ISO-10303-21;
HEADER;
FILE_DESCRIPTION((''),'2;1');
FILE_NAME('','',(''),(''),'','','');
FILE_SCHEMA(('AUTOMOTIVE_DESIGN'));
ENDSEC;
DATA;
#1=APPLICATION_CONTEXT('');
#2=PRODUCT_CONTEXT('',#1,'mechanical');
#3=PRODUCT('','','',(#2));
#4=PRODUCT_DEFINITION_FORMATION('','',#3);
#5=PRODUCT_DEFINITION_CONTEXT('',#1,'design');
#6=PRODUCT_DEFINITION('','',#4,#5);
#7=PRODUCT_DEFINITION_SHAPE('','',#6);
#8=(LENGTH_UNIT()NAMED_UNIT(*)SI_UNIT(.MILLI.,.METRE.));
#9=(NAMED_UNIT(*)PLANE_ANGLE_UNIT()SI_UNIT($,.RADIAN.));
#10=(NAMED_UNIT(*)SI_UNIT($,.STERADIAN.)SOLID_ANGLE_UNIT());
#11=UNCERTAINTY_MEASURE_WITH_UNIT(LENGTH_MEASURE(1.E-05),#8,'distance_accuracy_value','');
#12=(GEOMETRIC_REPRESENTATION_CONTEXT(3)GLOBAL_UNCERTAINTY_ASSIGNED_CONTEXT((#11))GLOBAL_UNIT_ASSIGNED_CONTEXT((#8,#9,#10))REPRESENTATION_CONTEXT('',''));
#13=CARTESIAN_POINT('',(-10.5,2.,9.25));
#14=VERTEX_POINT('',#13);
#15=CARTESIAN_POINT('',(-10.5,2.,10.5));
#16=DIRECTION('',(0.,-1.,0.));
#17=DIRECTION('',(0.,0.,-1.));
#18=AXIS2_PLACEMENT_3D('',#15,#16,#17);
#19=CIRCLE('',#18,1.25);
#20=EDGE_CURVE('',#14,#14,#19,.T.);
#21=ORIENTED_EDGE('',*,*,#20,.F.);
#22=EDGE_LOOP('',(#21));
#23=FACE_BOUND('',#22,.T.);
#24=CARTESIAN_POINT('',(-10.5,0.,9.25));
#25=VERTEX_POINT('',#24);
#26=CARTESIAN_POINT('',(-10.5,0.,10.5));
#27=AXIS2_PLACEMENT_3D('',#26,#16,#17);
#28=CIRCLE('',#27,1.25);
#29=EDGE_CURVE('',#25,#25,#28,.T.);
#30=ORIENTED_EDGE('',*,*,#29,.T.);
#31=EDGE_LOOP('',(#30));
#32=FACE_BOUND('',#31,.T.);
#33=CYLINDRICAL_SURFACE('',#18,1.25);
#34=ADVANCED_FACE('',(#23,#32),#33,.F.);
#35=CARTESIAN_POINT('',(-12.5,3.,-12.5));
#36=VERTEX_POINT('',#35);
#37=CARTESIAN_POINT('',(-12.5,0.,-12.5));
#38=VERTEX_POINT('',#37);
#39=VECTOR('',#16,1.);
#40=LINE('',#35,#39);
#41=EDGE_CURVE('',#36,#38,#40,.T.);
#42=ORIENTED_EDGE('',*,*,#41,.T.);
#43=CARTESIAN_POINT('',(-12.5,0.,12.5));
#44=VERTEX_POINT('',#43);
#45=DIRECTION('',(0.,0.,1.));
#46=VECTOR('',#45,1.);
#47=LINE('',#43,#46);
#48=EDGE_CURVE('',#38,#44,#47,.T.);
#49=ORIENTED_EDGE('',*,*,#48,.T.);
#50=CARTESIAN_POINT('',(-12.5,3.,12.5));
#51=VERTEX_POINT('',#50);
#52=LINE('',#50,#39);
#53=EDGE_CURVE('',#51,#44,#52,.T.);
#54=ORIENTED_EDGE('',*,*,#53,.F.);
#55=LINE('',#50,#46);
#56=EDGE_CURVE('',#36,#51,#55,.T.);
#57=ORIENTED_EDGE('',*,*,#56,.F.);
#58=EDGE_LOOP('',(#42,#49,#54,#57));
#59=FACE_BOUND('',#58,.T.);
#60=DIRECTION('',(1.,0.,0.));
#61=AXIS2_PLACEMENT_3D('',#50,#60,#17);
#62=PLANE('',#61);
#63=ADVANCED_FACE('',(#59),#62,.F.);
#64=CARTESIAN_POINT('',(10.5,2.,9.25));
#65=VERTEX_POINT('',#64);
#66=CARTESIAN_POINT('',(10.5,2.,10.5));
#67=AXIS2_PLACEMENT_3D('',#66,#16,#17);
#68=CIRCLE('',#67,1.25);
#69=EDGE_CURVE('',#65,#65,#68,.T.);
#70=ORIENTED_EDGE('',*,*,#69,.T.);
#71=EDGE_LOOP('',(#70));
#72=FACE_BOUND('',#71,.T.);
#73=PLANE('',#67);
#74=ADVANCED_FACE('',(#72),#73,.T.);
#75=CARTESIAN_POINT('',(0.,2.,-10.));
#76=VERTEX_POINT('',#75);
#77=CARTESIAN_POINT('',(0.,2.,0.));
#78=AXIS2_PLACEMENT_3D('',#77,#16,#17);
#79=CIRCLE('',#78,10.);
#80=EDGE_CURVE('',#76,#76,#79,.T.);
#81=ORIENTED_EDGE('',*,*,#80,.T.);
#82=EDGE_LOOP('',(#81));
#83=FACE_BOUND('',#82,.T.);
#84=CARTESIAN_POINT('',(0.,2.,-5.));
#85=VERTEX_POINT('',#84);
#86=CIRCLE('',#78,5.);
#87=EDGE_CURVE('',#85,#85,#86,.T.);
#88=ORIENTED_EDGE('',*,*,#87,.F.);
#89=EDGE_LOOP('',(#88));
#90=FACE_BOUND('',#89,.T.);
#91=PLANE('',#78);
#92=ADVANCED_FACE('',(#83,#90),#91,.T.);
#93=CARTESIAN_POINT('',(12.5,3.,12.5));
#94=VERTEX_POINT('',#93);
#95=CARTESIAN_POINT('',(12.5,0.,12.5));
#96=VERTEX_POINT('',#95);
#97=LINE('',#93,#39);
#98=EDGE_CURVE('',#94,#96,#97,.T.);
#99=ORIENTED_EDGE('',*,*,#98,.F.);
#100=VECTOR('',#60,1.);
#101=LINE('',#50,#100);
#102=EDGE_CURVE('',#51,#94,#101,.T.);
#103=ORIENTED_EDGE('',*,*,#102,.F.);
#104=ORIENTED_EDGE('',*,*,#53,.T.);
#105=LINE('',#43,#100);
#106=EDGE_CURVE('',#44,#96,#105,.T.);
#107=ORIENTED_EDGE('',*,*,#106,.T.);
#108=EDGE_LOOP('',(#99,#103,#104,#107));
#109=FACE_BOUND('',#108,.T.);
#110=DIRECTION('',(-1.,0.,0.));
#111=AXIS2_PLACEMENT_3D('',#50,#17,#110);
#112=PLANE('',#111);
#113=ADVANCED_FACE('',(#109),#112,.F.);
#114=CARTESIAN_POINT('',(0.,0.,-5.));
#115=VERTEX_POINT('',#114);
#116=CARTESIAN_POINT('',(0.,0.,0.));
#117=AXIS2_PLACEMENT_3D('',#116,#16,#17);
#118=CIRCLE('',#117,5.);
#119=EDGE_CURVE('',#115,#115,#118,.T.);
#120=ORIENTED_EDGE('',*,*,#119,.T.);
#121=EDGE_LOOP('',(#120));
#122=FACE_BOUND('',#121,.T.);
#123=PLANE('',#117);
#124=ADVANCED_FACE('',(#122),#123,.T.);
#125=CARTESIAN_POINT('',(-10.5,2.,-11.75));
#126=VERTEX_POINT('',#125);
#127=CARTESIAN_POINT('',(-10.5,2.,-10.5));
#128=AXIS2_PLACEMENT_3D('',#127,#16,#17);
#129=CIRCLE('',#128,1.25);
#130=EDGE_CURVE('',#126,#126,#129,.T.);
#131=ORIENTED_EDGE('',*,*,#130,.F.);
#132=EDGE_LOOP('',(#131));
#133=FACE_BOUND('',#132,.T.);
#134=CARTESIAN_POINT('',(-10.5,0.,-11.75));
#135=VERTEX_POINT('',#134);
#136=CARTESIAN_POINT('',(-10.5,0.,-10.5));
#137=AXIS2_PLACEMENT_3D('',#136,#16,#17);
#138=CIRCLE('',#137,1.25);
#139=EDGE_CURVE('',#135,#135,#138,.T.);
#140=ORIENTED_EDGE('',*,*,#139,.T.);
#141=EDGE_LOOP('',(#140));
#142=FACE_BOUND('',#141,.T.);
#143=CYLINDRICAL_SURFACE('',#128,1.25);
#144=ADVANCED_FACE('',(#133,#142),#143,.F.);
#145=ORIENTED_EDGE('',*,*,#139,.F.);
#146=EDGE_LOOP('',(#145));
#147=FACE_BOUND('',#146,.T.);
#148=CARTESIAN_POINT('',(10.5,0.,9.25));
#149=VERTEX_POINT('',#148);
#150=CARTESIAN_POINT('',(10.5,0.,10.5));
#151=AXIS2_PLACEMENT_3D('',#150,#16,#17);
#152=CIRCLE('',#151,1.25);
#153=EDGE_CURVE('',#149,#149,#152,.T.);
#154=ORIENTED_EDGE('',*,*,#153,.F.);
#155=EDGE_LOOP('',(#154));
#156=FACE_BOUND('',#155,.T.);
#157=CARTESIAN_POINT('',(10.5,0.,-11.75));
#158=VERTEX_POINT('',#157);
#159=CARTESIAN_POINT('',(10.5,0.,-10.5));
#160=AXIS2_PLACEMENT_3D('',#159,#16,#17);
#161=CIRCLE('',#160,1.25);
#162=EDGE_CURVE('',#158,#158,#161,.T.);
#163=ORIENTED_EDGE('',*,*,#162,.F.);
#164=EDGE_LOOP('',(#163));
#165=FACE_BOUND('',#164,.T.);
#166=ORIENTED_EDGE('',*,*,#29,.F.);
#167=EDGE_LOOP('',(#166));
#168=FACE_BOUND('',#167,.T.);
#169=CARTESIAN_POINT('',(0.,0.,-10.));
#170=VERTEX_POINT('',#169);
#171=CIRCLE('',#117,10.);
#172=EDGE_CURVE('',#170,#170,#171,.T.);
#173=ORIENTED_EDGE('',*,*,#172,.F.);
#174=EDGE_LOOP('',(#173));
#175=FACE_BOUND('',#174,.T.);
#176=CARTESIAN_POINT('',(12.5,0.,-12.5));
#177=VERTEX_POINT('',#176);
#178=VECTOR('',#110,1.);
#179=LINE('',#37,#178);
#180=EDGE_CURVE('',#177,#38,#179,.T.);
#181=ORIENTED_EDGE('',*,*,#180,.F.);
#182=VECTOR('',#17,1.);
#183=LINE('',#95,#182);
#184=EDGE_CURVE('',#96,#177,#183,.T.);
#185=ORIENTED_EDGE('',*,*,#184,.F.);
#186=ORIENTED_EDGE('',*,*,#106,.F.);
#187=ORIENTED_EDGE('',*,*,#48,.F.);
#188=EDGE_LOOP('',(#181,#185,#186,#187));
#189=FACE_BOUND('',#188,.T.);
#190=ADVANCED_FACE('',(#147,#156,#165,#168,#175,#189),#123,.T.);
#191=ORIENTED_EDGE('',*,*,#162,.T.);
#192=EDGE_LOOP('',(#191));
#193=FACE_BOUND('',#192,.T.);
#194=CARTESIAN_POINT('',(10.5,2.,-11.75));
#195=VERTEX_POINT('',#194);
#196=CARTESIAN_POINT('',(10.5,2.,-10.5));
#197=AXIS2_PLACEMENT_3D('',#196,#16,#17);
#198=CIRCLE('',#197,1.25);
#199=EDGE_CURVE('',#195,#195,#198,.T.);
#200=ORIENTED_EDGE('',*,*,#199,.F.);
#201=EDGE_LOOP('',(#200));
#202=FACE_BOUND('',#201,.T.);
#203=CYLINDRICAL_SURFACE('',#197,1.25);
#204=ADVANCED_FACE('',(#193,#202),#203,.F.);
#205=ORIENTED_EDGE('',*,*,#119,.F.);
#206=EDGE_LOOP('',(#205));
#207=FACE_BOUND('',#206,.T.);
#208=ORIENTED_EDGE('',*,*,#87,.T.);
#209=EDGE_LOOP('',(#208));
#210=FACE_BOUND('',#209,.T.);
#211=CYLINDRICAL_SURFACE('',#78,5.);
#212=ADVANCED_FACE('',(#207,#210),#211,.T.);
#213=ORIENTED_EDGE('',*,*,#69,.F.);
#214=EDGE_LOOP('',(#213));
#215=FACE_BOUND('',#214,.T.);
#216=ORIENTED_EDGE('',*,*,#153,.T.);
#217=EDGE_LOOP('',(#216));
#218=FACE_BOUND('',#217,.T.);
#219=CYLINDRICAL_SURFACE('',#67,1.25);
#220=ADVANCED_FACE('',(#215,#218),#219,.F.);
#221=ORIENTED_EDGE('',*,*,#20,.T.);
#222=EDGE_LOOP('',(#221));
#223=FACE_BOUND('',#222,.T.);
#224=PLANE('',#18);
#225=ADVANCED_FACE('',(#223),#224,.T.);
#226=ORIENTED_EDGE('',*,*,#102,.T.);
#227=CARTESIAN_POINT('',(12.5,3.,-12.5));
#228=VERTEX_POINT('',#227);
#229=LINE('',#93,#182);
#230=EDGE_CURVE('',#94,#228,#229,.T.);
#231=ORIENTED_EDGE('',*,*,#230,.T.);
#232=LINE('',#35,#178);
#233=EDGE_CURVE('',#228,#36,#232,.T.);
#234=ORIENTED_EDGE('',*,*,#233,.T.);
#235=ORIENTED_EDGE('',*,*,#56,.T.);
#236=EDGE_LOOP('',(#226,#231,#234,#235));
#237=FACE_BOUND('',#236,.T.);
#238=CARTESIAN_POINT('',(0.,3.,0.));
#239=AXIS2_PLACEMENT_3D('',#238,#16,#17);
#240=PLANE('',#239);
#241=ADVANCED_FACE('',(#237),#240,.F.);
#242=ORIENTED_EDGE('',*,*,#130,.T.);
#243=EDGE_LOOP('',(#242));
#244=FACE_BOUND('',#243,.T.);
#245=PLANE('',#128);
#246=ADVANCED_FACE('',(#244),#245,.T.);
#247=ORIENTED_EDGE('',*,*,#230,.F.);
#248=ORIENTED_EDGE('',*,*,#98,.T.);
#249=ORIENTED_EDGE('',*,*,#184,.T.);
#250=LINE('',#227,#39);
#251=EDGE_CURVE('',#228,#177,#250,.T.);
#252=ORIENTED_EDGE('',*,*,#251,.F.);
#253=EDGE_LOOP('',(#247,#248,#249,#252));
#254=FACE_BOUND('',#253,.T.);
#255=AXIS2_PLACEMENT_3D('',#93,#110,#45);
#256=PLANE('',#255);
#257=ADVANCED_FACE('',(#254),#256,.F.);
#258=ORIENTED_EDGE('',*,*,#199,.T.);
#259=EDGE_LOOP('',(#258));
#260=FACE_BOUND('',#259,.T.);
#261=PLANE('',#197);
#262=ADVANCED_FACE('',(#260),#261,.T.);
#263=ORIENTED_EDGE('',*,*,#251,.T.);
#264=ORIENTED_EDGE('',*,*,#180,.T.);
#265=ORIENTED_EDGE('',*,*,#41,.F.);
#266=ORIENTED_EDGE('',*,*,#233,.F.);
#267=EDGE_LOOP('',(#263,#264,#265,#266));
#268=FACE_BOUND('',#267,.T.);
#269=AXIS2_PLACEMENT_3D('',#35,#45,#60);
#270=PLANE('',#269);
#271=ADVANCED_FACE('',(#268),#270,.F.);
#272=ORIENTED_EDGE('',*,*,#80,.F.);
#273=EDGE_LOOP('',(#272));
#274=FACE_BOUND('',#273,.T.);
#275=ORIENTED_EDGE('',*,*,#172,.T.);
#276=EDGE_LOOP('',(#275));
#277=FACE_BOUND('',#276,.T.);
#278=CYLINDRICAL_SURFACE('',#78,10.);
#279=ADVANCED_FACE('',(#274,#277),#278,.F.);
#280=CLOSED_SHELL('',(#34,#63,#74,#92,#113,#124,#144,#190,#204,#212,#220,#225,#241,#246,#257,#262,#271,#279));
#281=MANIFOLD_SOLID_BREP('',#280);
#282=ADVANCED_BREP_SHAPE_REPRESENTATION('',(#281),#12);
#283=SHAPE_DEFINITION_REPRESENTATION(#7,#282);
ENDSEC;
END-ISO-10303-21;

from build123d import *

# Parameters (mm, degrees)
SKETCH1_W           = 25
SKETCH1_H           = 25
BOSS_EXTRUDE1_DEPTH = 3
SKETCH2_R           = 10
SKETCH2_R_2         = 5
CUT_EXTRUDE1_DEPTH  = 2
SKETCH3_R           = 1.25
CUT_EXTRUDE2_DEPTH  = 2


with BuildPart() as part:
    # Sketch1 → Boss-Extrude1 (new body)
    with BuildSketch(Plane(origin=(0, 0, 0), x_dir=(1, 0, 0), z_dir=(0, 1, 0))):
        Rectangle(SKETCH1_W, SKETCH1_H)
    extrude(amount=BOSS_EXTRUDE1_DEPTH)

    # Sketch2 → Cut-Extrude1 (cut)
    with BuildSketch(Plane.XZ):
        Circle(SKETCH2_R)
        Circle(SKETCH2_R_2, mode=Mode.SUBTRACT)
    extrude(amount=-CUT_EXTRUDE1_DEPTH, mode=Mode.SUBTRACT)

    # Sketch3 → Cut-Extrude2 (cut)
    with BuildSketch(Plane.XZ):
        with Locations((-10.5, 10.5)):
            Circle(SKETCH3_R)
        with Locations((10.5, 10.5)):
            Circle(SKETCH3_R)
        with Locations((10.5, -10.5)):
            Circle(SKETCH3_R)
        with Locations((-10.5, -10.5)):
            Circle(SKETCH3_R)
    extrude(amount=-CUT_EXTRUDE2_DEPTH, mode=Mode.SUBTRACT)


solid = part.part
